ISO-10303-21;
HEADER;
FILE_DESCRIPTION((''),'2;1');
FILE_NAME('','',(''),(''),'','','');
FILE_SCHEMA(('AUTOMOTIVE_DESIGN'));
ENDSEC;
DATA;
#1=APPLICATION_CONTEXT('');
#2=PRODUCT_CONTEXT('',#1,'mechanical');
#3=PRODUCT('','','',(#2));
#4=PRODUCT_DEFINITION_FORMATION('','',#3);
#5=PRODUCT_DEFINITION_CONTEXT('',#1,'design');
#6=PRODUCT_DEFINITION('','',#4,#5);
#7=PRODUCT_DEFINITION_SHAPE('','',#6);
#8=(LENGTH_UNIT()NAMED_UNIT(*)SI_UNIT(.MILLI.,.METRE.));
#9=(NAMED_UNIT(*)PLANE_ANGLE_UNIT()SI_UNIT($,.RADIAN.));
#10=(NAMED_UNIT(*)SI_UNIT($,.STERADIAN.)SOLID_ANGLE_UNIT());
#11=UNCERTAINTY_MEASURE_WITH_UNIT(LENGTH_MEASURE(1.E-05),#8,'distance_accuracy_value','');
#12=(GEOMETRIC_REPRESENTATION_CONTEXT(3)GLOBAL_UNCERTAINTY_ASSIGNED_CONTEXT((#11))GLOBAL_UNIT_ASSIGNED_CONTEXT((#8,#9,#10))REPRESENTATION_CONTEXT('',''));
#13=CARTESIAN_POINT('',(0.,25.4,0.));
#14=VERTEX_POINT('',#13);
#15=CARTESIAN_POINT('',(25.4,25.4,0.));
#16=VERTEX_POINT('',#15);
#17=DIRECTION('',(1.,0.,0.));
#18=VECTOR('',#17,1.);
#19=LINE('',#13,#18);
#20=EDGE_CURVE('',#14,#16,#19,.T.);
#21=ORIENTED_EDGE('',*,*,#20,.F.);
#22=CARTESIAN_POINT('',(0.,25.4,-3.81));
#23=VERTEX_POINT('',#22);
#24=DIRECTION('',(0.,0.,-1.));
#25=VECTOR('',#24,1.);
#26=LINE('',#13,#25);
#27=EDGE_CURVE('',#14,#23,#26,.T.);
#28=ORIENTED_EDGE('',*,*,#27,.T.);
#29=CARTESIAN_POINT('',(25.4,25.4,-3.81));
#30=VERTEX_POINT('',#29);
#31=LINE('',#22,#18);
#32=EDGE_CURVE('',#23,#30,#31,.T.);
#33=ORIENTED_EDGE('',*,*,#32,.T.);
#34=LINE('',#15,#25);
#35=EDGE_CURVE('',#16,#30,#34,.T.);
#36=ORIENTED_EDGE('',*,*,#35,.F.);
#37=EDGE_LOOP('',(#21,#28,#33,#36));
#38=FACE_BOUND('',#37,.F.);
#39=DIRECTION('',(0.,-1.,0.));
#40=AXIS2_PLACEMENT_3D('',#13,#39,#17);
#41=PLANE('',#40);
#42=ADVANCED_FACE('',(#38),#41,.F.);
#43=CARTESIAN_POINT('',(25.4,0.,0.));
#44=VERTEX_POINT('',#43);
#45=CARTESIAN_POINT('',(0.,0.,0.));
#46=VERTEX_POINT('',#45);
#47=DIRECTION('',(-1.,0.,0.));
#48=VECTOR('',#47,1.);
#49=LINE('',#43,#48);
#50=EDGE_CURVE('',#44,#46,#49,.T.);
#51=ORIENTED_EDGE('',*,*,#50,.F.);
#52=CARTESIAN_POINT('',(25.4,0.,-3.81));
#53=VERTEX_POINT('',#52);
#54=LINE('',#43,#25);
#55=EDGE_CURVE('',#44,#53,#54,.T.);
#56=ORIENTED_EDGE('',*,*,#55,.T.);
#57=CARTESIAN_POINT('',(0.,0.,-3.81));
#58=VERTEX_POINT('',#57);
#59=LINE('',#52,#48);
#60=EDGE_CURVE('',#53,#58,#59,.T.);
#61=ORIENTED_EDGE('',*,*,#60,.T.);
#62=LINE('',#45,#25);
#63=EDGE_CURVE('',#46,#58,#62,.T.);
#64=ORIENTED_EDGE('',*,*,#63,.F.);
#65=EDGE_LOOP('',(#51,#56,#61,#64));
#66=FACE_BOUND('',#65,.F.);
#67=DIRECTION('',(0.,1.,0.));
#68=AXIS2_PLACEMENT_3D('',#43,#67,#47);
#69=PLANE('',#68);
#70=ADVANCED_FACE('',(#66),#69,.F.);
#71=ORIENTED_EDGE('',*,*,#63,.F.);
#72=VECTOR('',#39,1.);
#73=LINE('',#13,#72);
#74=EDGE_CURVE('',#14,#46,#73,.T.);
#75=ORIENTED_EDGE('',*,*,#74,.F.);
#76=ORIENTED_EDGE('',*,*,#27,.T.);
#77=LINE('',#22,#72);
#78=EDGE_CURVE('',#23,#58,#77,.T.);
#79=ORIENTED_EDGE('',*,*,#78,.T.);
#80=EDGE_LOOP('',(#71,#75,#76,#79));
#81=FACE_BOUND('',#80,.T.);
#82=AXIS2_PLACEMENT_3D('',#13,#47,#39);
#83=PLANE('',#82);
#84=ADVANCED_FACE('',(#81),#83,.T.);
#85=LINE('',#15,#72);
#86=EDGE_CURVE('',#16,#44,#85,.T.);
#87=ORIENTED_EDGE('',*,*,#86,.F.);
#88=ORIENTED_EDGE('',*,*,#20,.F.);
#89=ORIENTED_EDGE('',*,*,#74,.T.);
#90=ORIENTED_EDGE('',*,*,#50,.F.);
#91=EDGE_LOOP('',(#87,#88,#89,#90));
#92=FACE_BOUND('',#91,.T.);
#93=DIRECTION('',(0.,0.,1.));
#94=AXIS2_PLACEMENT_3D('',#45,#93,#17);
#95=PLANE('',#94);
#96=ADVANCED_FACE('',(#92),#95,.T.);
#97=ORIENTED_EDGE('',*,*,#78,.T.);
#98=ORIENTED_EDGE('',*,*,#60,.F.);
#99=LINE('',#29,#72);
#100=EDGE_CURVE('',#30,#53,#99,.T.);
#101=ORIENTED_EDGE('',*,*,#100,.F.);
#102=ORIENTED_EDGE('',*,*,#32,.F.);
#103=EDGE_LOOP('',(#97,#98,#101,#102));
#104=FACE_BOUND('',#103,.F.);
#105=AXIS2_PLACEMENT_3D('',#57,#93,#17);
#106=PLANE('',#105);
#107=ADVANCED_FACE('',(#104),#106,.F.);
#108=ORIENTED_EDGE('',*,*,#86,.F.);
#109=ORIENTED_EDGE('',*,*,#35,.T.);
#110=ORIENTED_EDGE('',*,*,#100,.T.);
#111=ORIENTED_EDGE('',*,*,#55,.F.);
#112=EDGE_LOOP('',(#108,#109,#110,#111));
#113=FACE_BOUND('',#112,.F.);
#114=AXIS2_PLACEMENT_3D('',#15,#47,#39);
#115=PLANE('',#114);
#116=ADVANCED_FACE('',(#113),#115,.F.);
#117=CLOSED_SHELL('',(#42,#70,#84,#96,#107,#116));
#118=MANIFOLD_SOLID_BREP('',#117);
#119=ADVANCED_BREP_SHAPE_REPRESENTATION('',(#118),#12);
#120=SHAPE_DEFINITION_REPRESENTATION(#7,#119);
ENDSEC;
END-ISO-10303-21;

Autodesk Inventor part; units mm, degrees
ref_plane "YZ Plane" through (0, 0, 0) normal (1, 0, 0) x (0, 1, 0)
ref_plane "XZ Plane" through (0, 0, 0) normal (0, 1, 0) x (-1, 0, 0)
ref_plane "XY Plane" through (0, 0, 0) normal (0, 0, 1) x (1, 0, 0)
sketch "Sketch1" plane through (0, 0, 0) normal (0, 0, 1) x (1, 0, 0)
  line L0 (0, 25.4) -> (0, 0)
  line L1 (0, 25.4) -> (25.4, 25.4)
  line L2 (25.4, 25.4) -> (25.4, 0)
  line L3 (25.4, 0) -> (0, 0)
  dimension "d0" = 25.4
  dimension "d1" = 25.4
extrude "Extrusion1" add sketch "Sketch1" against normal blind 3.81
sketch "Sketch2" plane through (0, 0, 0) normal (0, 0, 1) x (1, 0, 0)
  point P0 (0, 0)
equation "\"BendRadius\" = Thickness"
equation "\"BendReliefWidth\" = Thickness"
equation "\"BendReliefDepth\" = 0.5 * Thickness"
equation "\"CornerReliefSize\" = 4 * Thickness"
equation "\"MinimumRemnant\" = 2 * Thickness"
equation "\"TransitionRadius\" = BendRadius"
equation "\"JacobiRadiusSize\" = BendRadius"
equation "\"GapSize\" = Thickness"
equation "\"Thickness\" = 3.048"
properties part number "Sun_Cushion"
